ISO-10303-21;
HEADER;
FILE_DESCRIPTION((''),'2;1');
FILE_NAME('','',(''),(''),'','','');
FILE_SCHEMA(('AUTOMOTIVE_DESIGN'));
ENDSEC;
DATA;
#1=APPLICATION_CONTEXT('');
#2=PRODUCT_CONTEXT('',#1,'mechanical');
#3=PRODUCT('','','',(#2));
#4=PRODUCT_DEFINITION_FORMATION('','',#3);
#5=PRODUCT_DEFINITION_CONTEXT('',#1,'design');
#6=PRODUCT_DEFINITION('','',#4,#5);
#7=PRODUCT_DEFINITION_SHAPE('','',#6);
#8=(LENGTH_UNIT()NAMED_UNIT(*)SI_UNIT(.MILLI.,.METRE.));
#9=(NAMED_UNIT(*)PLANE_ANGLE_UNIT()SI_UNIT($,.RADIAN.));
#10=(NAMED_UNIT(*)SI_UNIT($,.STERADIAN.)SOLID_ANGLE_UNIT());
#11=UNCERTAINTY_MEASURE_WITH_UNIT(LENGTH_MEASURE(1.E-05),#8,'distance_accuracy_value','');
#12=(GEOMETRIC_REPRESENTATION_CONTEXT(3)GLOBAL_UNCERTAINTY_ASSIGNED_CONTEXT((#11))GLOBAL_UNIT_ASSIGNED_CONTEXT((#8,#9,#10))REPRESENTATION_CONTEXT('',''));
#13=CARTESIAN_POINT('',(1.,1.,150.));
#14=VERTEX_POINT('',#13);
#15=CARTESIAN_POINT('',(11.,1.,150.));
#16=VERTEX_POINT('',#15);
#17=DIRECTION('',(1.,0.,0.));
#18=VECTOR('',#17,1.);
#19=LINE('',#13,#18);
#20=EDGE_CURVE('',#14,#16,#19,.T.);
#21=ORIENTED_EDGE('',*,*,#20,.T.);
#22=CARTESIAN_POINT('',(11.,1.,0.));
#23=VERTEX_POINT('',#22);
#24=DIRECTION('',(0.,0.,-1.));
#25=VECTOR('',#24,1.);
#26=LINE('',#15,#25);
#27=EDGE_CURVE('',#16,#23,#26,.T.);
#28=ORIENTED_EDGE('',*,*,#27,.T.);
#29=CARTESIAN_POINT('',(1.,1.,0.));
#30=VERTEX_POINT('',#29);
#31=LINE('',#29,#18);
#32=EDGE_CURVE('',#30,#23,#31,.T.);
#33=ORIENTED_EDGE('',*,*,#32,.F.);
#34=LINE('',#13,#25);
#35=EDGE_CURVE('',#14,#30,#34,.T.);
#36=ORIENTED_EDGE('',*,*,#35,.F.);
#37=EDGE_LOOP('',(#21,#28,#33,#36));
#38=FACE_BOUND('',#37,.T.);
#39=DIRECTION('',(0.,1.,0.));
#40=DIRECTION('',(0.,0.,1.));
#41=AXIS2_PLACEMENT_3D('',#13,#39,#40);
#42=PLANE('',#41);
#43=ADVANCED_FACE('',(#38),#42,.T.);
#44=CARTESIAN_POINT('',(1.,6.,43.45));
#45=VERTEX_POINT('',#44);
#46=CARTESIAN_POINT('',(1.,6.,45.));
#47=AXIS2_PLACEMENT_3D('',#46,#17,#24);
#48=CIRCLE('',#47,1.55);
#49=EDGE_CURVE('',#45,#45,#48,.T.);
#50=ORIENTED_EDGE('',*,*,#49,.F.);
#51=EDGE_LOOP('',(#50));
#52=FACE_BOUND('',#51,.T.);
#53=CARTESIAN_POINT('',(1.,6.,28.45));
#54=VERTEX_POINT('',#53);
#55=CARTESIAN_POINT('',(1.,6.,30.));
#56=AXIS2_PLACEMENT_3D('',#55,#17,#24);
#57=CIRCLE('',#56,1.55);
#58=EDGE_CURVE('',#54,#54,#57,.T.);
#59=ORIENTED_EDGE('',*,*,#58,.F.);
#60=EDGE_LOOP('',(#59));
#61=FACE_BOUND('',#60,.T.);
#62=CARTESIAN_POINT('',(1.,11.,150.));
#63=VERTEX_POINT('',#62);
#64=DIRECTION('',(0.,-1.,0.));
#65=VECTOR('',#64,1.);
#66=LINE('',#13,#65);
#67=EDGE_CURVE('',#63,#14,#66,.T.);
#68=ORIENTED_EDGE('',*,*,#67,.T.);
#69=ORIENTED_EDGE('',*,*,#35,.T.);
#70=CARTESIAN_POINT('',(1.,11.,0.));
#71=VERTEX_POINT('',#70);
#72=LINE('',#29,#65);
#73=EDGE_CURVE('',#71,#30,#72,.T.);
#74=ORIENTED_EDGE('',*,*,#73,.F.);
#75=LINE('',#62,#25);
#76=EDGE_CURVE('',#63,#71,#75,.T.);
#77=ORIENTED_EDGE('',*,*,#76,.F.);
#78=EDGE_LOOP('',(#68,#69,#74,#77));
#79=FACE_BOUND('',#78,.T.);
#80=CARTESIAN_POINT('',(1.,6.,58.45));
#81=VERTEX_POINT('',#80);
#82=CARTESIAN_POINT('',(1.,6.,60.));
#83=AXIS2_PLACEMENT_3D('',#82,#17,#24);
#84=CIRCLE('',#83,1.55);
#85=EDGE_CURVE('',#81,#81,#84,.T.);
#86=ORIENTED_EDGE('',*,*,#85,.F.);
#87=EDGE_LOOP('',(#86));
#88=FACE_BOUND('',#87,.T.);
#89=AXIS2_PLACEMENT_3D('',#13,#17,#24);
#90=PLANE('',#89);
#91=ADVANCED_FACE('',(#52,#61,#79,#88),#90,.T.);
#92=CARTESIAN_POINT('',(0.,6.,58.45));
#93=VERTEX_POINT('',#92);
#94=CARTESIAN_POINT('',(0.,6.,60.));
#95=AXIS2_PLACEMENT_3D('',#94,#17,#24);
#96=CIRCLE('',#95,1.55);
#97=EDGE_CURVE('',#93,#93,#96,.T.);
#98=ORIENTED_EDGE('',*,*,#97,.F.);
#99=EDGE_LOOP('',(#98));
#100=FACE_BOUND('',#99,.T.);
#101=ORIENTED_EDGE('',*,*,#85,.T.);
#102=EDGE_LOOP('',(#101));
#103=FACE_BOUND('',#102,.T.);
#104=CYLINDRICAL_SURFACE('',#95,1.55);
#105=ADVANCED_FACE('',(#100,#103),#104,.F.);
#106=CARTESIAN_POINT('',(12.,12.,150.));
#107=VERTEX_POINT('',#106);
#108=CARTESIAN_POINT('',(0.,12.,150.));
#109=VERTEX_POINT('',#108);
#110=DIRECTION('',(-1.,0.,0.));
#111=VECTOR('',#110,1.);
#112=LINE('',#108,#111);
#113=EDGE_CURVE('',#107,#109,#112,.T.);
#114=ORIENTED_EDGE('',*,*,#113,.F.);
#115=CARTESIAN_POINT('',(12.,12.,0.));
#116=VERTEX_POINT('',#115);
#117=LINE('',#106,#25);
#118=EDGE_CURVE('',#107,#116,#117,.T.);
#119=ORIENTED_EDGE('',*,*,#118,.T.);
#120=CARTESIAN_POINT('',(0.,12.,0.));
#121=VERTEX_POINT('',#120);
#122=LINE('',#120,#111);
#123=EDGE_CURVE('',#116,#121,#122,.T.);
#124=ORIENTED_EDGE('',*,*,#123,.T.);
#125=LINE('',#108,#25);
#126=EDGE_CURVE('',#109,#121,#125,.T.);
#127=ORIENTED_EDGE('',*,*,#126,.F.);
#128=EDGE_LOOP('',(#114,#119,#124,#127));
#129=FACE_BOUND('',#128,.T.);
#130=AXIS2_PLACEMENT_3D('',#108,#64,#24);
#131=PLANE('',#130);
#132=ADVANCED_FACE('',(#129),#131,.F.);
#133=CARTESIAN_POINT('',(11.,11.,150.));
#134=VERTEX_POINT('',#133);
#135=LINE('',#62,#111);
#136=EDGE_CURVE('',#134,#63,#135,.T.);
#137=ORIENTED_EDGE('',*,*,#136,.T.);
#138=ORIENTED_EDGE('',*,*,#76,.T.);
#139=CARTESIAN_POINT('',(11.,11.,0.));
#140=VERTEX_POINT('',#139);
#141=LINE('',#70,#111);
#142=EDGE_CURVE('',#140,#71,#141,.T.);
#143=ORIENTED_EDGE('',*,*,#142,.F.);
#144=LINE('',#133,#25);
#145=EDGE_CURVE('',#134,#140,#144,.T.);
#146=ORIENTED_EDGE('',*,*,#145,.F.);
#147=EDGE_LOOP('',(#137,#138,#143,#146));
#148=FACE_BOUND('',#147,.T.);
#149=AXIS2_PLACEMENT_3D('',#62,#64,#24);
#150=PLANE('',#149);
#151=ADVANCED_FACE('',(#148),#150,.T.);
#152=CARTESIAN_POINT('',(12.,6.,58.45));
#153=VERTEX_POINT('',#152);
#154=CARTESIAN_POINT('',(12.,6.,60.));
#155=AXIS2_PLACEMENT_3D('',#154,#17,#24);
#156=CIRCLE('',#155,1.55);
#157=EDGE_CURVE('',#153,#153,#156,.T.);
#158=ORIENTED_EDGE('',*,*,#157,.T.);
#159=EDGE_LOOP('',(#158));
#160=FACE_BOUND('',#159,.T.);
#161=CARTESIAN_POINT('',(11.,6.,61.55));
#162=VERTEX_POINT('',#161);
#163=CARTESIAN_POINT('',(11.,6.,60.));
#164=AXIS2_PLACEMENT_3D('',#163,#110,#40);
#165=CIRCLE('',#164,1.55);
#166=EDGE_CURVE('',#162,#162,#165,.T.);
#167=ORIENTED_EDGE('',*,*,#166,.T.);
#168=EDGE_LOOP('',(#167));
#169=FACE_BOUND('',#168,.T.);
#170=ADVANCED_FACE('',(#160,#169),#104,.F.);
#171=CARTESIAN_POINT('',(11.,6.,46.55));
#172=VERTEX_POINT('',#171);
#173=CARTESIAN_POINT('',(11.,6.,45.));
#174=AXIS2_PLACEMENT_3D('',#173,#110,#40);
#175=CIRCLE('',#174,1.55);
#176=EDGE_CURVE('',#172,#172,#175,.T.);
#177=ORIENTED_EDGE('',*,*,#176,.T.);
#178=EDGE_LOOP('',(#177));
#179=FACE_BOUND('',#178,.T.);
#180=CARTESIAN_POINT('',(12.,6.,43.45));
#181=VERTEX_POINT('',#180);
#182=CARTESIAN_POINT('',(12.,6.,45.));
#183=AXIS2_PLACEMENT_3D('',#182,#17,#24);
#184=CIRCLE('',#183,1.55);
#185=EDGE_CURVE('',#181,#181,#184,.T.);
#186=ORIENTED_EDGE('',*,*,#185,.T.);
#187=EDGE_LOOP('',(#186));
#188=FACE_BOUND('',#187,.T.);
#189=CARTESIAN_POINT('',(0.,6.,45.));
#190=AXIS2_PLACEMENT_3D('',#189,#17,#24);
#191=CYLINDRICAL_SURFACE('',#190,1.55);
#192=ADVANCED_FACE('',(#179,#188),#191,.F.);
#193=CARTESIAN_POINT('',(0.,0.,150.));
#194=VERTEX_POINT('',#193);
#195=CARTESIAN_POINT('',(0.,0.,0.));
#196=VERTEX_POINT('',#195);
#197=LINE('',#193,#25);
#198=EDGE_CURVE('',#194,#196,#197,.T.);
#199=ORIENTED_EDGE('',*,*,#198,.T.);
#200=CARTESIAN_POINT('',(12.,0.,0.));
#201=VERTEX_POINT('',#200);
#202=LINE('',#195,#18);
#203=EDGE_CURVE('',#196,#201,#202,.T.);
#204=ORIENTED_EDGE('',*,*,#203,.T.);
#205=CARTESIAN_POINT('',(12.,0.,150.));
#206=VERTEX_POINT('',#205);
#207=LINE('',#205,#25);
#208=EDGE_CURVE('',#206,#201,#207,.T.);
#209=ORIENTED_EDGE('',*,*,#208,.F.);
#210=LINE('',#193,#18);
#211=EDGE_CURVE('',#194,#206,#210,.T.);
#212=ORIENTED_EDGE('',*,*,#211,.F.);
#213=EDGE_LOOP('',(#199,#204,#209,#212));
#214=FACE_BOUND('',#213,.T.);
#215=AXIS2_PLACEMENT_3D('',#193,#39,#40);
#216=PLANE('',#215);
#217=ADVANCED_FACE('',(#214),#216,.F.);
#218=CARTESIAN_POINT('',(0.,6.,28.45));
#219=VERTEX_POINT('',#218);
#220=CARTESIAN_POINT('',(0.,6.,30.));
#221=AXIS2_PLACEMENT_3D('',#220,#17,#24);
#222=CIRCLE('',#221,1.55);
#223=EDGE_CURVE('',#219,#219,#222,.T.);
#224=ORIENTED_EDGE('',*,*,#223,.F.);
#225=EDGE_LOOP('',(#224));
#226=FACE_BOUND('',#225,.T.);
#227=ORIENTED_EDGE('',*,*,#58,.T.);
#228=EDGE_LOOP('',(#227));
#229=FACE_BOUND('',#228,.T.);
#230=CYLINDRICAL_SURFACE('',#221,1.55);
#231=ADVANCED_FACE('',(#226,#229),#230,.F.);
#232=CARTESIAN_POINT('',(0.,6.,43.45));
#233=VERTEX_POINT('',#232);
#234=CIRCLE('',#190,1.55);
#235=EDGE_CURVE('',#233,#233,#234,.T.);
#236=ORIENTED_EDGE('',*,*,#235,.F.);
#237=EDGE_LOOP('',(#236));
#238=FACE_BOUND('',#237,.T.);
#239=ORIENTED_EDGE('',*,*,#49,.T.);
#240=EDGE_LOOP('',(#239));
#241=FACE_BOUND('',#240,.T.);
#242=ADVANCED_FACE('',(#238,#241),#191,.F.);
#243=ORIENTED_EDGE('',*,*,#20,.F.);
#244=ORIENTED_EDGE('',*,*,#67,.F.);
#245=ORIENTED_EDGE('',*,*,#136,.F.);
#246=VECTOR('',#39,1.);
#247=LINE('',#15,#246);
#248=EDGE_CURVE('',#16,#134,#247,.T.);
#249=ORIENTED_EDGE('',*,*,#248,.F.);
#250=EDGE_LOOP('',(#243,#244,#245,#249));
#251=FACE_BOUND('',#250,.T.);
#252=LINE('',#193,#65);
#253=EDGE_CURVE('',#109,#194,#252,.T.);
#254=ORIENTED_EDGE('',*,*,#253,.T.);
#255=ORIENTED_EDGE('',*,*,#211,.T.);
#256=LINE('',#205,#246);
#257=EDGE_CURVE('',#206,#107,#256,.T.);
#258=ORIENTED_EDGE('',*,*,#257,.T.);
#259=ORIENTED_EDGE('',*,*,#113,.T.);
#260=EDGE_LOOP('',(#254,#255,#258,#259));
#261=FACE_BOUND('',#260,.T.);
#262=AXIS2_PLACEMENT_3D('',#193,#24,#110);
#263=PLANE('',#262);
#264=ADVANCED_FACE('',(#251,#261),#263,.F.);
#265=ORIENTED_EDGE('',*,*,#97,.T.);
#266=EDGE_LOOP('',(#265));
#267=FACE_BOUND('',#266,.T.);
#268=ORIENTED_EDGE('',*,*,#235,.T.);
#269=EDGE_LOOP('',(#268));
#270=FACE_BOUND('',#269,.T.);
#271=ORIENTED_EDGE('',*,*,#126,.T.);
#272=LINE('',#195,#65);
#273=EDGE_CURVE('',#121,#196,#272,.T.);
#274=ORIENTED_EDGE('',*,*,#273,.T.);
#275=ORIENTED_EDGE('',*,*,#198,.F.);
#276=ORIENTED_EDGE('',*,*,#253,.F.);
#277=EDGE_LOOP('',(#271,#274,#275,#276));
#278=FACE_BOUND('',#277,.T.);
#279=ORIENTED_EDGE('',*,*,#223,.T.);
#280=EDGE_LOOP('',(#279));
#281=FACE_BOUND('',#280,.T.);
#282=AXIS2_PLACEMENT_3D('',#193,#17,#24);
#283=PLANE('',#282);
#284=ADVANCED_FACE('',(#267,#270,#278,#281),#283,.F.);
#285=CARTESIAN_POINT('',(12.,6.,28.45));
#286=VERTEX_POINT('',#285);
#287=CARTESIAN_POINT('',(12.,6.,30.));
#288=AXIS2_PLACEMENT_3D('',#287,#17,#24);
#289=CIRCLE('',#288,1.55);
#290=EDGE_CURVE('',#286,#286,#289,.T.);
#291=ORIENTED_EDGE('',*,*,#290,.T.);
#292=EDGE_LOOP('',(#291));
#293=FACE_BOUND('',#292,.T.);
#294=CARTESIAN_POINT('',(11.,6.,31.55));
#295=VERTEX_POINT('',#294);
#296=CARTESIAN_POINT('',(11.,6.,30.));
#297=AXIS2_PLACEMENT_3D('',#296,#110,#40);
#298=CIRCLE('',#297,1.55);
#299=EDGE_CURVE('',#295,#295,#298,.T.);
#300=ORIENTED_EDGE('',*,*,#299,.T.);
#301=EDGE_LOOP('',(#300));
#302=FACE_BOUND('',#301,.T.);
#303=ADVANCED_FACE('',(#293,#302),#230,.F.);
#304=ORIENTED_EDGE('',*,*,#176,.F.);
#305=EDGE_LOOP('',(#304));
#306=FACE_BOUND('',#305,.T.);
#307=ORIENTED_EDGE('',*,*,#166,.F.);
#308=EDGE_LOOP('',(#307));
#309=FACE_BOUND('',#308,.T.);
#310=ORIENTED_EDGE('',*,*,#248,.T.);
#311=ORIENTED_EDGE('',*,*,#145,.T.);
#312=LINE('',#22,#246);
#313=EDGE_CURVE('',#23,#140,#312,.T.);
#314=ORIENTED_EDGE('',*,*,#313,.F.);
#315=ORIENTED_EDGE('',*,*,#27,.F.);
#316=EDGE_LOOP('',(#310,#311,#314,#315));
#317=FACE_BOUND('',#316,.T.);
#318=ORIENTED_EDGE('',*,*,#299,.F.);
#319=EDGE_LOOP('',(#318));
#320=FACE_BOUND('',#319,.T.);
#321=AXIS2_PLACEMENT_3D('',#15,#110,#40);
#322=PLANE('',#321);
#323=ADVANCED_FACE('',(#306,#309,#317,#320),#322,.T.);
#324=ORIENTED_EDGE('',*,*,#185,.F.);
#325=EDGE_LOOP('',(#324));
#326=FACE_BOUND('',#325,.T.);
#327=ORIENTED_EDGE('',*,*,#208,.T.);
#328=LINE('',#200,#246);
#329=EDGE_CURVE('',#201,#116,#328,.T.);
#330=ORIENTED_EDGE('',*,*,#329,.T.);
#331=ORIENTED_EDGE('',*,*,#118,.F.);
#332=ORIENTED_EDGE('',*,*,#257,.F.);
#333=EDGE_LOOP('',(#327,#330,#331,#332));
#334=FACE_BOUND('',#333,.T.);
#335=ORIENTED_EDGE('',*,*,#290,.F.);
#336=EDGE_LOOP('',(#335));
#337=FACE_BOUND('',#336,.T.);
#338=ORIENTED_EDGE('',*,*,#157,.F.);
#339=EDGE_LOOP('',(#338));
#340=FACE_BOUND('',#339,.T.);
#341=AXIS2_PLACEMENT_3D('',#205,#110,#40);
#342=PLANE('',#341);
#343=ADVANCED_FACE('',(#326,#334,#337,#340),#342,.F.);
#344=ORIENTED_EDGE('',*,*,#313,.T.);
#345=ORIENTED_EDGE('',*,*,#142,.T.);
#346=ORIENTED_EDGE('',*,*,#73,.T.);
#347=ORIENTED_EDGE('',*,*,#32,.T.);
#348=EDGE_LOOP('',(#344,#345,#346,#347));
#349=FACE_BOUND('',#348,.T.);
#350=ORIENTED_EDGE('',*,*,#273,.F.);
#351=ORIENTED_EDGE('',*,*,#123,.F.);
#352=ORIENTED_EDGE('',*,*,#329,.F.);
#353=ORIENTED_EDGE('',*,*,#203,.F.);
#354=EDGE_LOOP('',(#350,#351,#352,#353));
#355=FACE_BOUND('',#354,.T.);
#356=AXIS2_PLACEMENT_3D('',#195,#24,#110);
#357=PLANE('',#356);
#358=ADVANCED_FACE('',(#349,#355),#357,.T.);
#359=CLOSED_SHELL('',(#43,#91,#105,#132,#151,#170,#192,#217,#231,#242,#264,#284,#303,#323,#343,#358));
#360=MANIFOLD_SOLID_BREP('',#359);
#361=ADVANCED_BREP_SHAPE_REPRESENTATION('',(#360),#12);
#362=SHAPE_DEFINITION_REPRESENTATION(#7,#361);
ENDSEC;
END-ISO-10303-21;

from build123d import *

# Parameters (mm, degrees)
SKETCH_1_W          = 12
SKETCH_1_H          = 12
SKETCH_1_W_2        = 10
SKETCH_1_H_2        = 10
EXTRUDE_1_DEPTH     = 150
SKETCH_3_R          = 1.55
CUT_EXTRUDE_1_DEPTH = 151.956947505


with BuildPart() as part:
    # 草图1 → 凸台-拉伸1 (new body)
    with BuildSketch(Plane.XY):
        with Locations((6, 6)):
            Rectangle(SKETCH_1_W, SKETCH_1_H)
        with Locations((6, 6)):
            Rectangle(SKETCH_1_W_2, SKETCH_1_H_2, mode=Mode.SUBTRACT)
    extrude(amount=EXTRUDE_1_DEPTH)

    # 草图3 → 切除-拉伸1 (cut, through all)
    with BuildSketch(Plane.YZ.offset(12)):
        with Locations(Location((6, 30, 0), (0, 0, 270))):
            Circle(SKETCH_3_R)
        with Locations(Location((6, 45, 0), (0, 0, 270))):
            Circle(SKETCH_3_R)
        with Locations(Location((6, 60, 0), (0, 0, 270))):
            Circle(SKETCH_3_R)
    extrude(amount=-CUT_EXTRUDE_1_DEPTH, mode=Mode.SUBTRACT)


solid = part.part
